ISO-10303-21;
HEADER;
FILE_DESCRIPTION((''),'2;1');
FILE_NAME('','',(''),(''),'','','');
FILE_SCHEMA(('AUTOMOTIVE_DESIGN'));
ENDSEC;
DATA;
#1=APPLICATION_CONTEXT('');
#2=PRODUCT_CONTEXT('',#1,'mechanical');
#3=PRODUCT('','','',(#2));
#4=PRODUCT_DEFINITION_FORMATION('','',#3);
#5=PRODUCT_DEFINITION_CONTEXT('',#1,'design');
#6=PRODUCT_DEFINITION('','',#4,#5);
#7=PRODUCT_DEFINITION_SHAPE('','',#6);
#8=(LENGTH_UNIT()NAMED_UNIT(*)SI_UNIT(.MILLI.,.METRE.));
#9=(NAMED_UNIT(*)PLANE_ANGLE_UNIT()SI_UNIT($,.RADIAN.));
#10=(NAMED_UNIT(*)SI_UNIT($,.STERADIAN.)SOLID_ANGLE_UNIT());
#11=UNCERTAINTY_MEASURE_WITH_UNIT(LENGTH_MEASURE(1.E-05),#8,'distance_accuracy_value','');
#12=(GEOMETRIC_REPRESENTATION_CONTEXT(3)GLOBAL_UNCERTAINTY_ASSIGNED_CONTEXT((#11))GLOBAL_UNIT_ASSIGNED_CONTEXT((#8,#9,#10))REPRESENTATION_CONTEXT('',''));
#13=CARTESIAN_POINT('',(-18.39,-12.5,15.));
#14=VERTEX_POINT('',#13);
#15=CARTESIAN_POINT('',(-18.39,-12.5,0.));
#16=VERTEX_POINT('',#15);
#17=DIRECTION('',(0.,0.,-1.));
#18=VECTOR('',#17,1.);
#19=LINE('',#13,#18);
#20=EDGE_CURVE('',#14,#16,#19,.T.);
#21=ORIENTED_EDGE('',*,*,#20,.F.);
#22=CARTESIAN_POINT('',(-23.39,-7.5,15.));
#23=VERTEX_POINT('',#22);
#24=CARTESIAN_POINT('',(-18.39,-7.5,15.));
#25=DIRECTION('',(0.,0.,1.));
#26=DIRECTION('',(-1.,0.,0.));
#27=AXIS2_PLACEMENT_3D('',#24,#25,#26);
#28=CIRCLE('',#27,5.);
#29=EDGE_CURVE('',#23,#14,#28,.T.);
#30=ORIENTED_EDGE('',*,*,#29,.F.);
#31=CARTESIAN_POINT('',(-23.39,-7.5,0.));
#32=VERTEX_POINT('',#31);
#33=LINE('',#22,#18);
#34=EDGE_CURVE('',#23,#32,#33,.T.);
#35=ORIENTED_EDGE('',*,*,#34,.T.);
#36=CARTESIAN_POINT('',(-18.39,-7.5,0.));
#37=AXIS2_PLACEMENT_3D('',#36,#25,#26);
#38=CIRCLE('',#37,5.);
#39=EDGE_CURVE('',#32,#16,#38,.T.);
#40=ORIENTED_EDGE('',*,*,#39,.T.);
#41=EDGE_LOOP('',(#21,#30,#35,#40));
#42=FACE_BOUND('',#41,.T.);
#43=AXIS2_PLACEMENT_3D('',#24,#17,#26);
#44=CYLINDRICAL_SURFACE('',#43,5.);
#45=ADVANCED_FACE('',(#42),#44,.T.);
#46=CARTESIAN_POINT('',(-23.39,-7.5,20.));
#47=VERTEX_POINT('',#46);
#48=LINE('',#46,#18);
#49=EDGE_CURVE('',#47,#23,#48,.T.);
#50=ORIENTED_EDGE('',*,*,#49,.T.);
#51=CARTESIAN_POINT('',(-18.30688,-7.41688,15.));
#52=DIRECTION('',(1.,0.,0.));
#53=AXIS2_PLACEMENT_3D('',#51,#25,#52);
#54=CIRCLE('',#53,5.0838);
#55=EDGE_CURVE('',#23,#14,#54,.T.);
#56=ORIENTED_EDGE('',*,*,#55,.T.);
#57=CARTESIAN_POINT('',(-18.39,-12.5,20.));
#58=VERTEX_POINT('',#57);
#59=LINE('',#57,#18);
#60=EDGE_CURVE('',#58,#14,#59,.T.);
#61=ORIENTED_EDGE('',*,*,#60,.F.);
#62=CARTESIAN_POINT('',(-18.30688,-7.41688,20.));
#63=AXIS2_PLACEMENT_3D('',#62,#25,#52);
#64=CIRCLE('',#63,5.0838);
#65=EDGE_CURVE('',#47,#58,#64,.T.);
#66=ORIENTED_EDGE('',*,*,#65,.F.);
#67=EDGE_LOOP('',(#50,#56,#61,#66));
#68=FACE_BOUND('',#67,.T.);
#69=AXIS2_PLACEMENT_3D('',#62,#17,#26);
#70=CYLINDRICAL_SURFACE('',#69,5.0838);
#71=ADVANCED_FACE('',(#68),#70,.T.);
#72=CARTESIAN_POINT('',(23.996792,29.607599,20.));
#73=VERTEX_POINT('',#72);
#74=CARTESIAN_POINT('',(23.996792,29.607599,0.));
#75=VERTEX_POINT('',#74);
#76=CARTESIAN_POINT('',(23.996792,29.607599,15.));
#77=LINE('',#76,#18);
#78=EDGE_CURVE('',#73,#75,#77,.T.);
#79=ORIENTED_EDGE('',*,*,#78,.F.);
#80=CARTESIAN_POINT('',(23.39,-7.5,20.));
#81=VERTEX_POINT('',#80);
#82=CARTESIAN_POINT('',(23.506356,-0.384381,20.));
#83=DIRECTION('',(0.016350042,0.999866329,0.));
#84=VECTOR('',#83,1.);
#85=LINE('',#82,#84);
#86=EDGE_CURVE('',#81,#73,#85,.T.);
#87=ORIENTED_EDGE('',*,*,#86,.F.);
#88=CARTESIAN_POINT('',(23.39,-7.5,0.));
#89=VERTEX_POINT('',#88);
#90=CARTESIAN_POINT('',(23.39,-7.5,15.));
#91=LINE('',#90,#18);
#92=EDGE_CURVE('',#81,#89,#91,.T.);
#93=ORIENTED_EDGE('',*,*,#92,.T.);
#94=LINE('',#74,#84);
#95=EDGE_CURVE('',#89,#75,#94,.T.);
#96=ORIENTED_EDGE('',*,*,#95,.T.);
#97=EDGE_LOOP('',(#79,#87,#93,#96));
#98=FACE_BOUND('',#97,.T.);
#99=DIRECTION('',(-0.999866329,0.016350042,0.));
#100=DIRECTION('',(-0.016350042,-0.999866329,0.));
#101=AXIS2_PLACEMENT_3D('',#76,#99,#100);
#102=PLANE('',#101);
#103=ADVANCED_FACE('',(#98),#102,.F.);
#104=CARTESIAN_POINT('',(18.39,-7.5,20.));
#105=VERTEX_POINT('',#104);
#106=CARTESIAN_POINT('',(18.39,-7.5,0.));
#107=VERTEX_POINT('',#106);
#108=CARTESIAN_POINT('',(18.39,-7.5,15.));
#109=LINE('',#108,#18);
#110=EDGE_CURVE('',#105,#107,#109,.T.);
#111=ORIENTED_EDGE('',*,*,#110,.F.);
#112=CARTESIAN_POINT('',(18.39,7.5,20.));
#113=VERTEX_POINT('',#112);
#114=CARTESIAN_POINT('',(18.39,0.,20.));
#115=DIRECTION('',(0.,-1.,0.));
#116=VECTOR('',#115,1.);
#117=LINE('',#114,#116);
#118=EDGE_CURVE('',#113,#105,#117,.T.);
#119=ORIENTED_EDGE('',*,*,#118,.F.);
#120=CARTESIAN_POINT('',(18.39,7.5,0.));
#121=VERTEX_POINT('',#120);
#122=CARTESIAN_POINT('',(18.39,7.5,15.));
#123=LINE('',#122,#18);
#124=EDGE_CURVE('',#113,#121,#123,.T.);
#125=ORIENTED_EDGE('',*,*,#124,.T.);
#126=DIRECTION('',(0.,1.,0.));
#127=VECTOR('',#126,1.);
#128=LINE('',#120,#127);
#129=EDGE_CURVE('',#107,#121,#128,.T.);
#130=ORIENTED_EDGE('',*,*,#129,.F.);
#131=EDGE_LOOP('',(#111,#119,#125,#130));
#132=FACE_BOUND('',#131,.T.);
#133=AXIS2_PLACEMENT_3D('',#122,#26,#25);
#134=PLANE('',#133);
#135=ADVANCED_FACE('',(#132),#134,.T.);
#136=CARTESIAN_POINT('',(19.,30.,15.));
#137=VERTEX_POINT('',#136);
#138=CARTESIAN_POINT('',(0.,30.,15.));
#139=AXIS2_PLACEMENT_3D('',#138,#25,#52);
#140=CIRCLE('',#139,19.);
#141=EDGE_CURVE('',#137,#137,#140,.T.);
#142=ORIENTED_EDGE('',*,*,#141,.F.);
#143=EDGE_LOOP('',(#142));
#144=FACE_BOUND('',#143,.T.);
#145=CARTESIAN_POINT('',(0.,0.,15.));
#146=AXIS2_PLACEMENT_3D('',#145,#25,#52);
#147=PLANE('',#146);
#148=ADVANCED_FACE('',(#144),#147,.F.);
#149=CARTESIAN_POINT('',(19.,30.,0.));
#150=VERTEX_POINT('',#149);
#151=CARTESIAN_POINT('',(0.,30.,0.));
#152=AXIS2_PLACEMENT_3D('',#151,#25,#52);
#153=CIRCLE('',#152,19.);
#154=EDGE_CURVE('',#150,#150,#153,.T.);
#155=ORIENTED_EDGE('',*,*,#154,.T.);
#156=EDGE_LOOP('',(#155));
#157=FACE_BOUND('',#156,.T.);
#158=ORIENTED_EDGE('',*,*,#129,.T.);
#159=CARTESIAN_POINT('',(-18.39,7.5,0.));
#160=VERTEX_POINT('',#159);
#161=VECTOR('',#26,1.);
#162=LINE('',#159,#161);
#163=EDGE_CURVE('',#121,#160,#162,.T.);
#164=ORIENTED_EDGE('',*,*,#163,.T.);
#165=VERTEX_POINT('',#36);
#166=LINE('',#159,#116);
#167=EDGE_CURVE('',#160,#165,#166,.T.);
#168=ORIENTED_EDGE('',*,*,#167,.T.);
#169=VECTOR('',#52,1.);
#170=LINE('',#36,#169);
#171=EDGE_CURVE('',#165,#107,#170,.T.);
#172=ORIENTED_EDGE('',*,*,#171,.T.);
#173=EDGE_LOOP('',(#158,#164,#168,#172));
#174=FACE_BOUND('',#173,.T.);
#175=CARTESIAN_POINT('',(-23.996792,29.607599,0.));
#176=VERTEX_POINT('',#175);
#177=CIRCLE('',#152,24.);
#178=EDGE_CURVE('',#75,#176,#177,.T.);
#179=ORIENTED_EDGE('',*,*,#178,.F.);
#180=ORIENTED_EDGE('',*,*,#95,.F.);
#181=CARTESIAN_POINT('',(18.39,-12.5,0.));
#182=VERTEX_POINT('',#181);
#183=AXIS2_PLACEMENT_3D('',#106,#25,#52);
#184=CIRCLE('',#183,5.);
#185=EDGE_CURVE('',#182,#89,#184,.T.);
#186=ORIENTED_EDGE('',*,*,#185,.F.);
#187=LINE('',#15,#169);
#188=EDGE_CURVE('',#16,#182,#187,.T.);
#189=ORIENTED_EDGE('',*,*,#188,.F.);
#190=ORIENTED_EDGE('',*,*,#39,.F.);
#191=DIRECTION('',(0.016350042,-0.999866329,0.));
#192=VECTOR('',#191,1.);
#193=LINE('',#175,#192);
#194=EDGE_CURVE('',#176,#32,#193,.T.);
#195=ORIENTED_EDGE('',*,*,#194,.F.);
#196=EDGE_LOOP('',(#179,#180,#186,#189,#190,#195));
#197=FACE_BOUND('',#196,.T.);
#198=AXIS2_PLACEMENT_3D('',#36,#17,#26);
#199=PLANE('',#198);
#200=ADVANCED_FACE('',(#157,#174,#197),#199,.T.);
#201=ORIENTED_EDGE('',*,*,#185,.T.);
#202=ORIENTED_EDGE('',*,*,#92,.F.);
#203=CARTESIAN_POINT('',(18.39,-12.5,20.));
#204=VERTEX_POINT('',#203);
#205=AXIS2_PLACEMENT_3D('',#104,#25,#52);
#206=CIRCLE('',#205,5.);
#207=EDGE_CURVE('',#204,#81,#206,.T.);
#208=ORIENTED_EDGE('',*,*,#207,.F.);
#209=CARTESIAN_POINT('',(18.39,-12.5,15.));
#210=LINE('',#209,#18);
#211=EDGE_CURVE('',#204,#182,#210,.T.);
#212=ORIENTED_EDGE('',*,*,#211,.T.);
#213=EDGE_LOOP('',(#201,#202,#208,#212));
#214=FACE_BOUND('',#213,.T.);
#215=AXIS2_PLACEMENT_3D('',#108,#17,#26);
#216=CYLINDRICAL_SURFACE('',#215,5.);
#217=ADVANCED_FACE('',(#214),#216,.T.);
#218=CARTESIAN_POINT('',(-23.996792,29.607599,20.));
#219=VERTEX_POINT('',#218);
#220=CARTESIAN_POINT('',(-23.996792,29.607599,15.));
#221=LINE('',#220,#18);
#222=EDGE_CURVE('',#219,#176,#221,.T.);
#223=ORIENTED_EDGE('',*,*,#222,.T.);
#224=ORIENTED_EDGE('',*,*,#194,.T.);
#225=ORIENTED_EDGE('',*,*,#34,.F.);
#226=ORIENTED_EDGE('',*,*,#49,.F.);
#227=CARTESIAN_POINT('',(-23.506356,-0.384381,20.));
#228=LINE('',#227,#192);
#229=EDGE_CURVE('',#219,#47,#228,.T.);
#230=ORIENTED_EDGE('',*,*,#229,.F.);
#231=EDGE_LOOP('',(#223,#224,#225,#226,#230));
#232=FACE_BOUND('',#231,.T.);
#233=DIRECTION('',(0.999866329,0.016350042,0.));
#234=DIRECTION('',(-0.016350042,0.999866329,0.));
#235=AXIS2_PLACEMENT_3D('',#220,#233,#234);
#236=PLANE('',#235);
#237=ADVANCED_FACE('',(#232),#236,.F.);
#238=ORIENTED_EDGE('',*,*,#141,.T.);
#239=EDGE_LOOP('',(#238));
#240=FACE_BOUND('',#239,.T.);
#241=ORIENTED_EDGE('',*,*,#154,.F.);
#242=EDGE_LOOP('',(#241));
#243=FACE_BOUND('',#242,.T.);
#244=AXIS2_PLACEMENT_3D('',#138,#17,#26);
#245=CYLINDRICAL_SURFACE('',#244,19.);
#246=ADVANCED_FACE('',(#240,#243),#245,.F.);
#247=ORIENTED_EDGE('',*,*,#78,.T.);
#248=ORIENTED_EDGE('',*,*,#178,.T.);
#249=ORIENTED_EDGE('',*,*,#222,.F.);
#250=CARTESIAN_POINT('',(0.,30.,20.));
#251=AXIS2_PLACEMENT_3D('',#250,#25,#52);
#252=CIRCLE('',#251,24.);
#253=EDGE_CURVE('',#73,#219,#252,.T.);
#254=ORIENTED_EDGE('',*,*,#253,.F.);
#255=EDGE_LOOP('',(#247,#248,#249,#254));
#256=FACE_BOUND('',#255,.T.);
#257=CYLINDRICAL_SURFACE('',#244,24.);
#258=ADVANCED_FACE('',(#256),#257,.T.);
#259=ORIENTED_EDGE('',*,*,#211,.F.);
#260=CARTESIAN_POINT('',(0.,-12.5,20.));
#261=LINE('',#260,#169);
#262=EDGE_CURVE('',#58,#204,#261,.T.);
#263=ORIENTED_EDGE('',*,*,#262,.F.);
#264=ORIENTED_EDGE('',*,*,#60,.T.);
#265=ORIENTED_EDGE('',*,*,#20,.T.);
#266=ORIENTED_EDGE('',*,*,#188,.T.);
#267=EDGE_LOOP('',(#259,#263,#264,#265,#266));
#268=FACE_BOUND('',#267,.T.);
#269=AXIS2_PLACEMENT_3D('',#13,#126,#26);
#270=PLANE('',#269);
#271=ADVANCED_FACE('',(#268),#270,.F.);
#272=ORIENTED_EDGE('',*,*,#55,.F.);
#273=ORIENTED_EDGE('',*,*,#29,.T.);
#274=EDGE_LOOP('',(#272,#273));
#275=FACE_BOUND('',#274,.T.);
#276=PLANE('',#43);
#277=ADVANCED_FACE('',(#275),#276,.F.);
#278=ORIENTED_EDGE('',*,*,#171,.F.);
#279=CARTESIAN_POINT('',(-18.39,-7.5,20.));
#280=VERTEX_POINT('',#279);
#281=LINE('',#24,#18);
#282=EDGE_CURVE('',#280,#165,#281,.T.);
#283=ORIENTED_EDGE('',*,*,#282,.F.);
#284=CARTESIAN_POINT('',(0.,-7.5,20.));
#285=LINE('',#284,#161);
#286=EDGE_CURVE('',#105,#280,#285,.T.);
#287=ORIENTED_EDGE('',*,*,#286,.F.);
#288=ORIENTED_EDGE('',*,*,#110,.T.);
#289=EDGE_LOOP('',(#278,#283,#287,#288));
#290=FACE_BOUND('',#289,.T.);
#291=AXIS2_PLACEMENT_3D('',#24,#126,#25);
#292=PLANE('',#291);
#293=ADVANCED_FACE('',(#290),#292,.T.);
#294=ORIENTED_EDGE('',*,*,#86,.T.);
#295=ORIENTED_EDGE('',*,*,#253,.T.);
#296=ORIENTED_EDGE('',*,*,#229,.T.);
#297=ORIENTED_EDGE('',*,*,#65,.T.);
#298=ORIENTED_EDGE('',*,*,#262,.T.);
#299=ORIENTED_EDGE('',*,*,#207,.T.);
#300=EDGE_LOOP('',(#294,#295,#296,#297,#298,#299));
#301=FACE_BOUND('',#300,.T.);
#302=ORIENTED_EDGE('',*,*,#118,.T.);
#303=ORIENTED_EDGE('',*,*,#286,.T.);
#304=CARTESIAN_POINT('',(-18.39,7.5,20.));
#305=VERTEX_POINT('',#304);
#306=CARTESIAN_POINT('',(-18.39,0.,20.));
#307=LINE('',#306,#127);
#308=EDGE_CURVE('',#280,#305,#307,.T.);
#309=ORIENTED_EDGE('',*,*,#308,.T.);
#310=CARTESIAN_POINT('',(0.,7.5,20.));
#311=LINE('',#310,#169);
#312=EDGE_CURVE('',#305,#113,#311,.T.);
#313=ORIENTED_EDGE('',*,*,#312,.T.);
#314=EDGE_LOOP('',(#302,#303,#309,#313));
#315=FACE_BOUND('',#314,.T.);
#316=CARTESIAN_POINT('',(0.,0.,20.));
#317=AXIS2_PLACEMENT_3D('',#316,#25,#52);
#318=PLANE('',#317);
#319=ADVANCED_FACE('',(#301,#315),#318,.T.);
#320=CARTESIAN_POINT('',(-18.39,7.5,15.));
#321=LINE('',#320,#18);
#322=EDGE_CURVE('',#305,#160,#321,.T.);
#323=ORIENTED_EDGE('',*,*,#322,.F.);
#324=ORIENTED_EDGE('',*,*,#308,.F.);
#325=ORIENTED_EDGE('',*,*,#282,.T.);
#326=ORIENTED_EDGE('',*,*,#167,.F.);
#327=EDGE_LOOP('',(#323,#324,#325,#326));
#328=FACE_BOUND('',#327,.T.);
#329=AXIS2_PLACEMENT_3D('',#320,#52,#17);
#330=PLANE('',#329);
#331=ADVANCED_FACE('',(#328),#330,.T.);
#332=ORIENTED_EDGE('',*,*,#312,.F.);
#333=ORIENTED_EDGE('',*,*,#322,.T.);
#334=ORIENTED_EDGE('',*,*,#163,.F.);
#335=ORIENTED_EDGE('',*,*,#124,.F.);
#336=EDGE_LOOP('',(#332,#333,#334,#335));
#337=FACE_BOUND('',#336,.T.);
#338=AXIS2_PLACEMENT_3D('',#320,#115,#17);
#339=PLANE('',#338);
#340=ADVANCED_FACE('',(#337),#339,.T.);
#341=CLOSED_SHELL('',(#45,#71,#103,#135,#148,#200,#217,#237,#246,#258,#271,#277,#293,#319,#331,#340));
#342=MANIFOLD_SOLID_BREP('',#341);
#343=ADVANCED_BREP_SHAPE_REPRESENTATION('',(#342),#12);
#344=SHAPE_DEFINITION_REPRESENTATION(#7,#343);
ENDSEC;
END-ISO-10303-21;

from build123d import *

# Parameters (mm, degrees)
SKETCH1_R           = 19
SKETCH1_W           = 36.78
SKETCH1_H           = 15
BOSS_EXTRUDE1_DEPTH = 15
BOSS_EXTRUDE4_DEPTH = 5


with BuildPart() as part:
    # Sketch1 → Boss-Extrude1 (new body)
    with BuildSketch(Plane.XY):
        with BuildLine():
            Line((-18.39, -12.5), (18.39, -12.5))
            ThreePointArc((18.39, -12.5), (21.925533906, -11.035533906), (23.39, -7.5))
            Line((23.39, -7.5), (23.996791899, 29.607599001))
            ThreePointArc((23.996791899, 29.607599001), (0, 54), (-23.996791899, 29.607599001))
            Line((-23.996791899, 29.607599001), (-23.39, -7.5))
            ThreePointArc((-23.39, -7.5), (-21.925533906, -11.035533906), (-18.39, -12.5))
        make_face()
        with Locations((0, 30)):
            Circle(SKETCH1_R, mode=Mode.SUBTRACT)
        Rectangle(SKETCH1_W, SKETCH1_H, mode=Mode.SUBTRACT)
    extrude(amount=BOSS_EXTRUDE1_DEPTH)

    # Sketch13 → Boss-Extrude4 (add)
    with BuildSketch(Plane.XY.offset(15)):
        with BuildLine():
            Line((-23.996791899, 29.607599001), (-23.39, -7.5))
            ThreePointArc((-23.39, -7.5), (-21.901669041, -11.011669041), (-18.39, -12.5))
            Line((-18.39, -12.5), (18.39, -12.5))
            ThreePointArc((18.39, -12.5), (21.925533906, -11.035533906), (23.39, -7.5))
            Line((23.39, -7.5), (23.996791899, 29.607599001))
            ThreePointArc((23.996791899, 29.607599001), (0, 54), (-23.996791899, 29.607599001))
        make_face()
        Polygon((-18.39, -7.5), (-18.39, 7.5), (0, 7.5), (18.39, 7.5), (18.39, -7.5), align=None, mode=Mode.SUBTRACT)
    extrude(amount=BOSS_EXTRUDE4_DEPTH)


solid = part.part
